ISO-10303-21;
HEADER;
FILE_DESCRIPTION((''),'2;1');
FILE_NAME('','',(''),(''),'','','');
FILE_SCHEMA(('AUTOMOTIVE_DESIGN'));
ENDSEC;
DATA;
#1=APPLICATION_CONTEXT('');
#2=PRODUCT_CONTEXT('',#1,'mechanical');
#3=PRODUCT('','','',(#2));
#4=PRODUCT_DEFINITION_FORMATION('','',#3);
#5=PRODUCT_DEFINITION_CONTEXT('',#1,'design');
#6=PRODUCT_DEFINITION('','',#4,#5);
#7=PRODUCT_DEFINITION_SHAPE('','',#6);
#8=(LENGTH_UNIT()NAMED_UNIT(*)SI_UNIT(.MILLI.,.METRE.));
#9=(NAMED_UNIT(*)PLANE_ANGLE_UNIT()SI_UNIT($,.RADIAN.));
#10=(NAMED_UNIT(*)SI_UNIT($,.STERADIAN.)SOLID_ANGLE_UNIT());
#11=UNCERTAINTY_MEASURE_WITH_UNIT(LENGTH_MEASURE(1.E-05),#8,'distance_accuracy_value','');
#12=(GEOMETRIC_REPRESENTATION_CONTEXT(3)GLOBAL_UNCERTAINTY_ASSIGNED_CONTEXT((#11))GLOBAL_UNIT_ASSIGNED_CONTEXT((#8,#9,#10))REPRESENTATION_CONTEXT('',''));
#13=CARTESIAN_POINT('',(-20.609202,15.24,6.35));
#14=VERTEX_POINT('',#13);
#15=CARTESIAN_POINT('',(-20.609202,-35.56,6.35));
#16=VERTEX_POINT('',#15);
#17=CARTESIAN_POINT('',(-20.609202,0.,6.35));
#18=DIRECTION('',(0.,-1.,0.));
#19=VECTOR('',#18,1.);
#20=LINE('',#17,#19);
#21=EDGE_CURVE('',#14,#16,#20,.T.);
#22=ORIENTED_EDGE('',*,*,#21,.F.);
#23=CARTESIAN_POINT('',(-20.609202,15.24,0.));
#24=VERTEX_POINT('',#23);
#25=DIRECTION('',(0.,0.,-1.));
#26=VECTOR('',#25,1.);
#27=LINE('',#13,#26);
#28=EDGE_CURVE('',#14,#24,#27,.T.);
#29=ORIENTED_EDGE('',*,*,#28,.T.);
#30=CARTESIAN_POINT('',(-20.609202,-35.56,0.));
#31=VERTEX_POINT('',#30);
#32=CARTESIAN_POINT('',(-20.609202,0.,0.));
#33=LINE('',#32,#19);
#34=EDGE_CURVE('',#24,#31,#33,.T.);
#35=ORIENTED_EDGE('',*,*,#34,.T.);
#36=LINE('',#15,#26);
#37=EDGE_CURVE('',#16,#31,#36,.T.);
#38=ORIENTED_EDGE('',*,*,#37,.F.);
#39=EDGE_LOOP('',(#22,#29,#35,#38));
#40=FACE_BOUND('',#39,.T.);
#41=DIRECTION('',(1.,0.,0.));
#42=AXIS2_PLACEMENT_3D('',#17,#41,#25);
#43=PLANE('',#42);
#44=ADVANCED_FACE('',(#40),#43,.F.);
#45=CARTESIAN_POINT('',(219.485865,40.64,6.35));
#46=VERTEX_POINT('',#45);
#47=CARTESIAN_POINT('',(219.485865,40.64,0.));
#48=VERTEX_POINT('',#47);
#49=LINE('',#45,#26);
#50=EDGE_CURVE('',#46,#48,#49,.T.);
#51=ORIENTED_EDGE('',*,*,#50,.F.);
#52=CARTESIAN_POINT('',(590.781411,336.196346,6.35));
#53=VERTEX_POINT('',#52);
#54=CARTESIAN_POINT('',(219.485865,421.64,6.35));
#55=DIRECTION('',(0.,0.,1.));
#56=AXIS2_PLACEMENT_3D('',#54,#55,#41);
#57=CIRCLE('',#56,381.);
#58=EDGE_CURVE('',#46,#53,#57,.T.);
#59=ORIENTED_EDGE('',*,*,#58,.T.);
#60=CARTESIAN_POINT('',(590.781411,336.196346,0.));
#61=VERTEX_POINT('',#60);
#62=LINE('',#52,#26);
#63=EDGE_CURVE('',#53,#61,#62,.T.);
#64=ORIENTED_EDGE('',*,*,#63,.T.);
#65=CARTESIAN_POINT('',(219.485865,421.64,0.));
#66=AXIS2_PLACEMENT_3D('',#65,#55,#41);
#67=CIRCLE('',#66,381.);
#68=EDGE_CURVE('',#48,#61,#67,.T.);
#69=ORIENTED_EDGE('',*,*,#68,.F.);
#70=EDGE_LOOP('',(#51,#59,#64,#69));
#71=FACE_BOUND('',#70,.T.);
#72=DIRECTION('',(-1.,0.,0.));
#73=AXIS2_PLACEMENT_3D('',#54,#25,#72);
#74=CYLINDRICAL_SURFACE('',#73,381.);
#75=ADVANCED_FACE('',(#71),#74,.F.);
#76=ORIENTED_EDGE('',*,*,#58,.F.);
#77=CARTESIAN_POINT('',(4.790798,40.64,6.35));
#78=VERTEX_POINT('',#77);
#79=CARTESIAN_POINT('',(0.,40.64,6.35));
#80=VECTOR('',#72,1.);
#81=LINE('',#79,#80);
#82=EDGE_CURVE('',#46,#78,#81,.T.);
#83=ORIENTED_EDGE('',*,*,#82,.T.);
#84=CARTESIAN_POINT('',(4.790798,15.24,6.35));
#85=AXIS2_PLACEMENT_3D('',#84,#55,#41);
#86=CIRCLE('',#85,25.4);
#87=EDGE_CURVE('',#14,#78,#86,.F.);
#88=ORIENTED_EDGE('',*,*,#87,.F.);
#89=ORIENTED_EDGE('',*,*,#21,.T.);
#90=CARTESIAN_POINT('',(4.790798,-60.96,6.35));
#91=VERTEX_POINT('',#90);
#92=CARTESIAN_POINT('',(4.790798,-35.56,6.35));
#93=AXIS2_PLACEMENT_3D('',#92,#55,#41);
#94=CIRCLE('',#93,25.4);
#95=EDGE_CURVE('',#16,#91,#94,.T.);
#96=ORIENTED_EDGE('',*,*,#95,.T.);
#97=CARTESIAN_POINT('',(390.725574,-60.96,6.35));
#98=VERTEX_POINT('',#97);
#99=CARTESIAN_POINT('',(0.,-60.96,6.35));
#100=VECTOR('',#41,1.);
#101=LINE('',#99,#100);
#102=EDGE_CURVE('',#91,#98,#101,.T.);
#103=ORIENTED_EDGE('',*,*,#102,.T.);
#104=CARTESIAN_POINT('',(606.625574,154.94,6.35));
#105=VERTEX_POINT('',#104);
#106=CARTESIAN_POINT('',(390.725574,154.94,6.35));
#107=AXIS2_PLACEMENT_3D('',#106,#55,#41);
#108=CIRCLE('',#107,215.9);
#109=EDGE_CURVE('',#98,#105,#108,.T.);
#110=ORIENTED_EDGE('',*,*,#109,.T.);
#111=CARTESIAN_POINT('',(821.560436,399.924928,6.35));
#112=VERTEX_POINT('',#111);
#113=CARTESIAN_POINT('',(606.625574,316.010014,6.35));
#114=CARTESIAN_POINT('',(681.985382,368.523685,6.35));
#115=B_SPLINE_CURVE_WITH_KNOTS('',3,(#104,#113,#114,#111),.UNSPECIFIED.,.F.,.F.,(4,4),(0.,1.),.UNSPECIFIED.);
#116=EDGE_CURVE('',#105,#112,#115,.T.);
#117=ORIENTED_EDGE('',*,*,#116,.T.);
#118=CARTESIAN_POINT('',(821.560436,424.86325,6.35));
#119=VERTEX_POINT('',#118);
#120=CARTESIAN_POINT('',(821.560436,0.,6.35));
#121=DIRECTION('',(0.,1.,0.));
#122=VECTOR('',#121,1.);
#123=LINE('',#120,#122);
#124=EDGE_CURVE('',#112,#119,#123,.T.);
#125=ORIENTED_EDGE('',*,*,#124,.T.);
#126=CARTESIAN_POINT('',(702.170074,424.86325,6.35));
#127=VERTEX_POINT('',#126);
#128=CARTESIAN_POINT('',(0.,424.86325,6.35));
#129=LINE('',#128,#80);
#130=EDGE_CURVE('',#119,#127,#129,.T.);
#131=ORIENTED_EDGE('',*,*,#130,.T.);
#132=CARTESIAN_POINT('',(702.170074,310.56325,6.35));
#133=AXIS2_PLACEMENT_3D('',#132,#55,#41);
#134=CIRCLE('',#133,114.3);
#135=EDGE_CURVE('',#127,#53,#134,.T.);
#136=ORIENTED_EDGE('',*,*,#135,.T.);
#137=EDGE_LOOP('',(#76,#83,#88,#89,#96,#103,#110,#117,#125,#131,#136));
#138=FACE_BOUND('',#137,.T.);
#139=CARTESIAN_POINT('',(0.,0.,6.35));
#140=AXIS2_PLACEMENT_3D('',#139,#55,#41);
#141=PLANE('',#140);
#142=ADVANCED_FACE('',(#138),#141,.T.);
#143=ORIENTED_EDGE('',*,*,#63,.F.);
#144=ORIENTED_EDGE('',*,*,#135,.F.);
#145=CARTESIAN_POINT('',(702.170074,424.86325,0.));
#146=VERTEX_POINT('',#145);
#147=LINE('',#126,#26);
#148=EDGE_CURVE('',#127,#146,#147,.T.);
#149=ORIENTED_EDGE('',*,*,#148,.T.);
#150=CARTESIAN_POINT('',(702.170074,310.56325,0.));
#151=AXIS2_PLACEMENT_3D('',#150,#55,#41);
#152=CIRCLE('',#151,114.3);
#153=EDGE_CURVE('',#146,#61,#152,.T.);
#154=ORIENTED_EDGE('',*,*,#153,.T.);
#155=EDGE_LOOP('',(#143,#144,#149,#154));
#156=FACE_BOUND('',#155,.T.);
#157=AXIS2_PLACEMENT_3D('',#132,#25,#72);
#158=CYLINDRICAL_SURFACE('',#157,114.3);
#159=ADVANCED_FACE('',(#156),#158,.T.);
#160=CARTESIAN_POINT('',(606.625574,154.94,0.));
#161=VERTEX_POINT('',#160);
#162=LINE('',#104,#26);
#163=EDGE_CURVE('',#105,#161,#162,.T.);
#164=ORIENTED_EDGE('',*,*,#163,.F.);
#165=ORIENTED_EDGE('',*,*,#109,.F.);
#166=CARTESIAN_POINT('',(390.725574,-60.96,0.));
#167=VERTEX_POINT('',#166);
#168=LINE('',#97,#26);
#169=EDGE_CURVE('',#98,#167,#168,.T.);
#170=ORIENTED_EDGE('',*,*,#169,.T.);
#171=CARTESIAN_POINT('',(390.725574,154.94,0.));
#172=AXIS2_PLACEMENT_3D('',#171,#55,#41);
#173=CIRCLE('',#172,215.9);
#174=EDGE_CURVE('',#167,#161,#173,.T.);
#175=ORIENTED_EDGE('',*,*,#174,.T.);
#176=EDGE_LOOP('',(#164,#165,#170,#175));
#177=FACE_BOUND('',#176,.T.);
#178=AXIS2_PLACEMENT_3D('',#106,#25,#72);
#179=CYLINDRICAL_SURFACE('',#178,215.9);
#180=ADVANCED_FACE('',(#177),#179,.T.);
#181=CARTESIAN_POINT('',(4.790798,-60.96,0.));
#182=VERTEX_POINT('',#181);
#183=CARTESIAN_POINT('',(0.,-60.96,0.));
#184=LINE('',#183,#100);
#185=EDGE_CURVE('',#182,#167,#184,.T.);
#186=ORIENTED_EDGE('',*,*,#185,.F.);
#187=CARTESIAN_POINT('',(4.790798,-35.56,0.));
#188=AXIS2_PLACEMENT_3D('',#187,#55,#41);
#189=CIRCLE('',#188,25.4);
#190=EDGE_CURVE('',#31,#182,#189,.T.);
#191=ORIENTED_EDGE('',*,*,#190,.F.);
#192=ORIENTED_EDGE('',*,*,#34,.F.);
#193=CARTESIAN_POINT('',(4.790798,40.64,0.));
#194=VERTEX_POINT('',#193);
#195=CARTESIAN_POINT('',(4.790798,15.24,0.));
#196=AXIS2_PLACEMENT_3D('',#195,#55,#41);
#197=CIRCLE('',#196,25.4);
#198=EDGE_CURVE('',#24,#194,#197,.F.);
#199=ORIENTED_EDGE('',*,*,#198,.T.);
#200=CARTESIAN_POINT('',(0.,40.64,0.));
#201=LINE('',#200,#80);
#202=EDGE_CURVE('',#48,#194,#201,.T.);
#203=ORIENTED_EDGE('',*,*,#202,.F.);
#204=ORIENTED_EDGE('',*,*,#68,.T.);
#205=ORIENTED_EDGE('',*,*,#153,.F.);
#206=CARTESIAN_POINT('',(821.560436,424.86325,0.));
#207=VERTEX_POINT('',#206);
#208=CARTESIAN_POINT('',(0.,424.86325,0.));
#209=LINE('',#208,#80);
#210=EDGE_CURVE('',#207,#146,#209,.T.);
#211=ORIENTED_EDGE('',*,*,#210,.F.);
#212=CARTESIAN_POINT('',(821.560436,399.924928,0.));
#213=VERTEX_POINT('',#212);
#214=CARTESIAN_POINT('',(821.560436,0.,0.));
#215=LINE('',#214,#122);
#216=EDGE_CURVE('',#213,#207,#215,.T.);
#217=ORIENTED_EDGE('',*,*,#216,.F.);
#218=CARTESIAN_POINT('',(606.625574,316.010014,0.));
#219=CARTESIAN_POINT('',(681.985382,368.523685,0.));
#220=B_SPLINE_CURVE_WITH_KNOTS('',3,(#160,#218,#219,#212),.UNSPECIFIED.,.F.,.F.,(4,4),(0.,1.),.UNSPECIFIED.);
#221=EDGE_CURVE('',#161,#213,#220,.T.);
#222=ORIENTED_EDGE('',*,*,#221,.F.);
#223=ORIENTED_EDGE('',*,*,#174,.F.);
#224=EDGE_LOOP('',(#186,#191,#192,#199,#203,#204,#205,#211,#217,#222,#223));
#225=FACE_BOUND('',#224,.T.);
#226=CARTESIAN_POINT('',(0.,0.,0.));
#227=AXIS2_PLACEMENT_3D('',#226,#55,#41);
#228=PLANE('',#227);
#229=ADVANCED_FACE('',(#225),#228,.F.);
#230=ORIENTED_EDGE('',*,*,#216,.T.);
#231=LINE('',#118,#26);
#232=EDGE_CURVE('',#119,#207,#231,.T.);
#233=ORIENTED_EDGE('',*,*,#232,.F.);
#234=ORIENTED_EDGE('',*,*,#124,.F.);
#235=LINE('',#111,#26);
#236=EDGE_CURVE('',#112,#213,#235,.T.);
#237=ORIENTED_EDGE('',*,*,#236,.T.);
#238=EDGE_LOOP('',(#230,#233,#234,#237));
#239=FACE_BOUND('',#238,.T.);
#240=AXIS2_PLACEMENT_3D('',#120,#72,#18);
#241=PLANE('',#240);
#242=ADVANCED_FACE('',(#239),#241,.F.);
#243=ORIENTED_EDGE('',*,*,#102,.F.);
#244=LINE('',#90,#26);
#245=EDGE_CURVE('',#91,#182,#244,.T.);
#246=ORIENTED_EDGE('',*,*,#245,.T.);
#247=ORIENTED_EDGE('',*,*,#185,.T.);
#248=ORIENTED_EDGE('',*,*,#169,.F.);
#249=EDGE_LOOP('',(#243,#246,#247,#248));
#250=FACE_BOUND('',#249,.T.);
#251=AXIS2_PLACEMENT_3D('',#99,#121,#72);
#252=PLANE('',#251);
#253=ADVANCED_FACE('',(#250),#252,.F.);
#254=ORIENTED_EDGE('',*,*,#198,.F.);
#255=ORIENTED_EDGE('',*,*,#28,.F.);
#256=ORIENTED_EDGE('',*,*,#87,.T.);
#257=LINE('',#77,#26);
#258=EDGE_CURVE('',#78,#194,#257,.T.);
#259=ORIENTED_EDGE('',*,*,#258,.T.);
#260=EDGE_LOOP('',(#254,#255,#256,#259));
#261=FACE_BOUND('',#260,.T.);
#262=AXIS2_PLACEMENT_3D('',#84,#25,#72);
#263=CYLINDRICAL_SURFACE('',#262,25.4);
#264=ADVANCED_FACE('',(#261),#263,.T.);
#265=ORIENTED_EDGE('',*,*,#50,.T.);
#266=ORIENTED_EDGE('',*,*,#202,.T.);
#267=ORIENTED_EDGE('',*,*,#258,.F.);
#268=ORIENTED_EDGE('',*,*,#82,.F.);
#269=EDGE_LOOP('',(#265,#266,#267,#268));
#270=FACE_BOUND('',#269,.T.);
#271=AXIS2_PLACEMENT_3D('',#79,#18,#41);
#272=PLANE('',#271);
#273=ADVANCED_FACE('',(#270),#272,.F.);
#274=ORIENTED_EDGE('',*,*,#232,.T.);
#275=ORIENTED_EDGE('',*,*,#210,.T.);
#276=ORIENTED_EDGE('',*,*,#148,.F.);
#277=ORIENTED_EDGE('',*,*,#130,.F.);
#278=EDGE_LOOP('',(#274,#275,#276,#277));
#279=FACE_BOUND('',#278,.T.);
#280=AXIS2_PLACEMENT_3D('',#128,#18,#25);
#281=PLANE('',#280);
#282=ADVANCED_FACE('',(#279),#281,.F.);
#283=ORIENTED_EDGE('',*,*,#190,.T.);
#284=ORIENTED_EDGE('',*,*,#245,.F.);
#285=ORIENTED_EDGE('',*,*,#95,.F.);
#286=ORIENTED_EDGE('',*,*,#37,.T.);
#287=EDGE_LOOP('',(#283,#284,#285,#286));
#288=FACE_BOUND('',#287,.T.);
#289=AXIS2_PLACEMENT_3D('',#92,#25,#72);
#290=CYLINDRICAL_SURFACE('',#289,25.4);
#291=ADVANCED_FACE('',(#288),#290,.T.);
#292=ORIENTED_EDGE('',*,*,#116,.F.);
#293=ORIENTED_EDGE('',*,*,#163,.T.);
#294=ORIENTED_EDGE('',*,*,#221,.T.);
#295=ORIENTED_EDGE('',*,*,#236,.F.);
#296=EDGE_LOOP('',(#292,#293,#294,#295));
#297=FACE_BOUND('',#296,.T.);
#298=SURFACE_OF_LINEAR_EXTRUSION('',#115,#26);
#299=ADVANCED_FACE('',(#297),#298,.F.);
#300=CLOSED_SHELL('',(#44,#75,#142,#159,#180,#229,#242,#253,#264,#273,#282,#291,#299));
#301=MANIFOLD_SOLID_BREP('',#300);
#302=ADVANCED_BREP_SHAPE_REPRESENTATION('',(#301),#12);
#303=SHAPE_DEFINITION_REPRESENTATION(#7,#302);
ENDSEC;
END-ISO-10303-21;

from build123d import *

# Parameters (mm, degrees)
BOSS_EXTRUDE1_DEPTH = 6.35


with BuildPart() as part:
    # Sketch1 → Boss-Extrude1 (new body)
    with BuildSketch(Plane.XY):
        with BuildLine():
            Line((4.79079833, -60.96), (390.725573839, -60.96))
            ThreePointArc((390.725573839, -60.96), (543.389927897, 2.275645942), (606.625573839, 154.94))
            add(Edge.make_bspline(
                [(606.625573839, 154.94), (606.625573839, 316.01001421), (681.985382087, 368.523685091), (821.560436263, 399.924928327)],
                knots=[0, 0, 0, 0, 1, 1, 1, 1], degree=3))
            Line((821.560436263, 399.924928327), (821.560436263, 424.863249898))
            Line((821.560436263, 424.863249898), (702.170074113, 424.863249898))
            ThreePointArc((702.170074113, 424.863249898), (630.985008591, 399.990183462), (590.781410505, 336.196346076))
            ThreePointArc((590.781410505, 336.196346076), (456.769416888, 123.550221456), (219.485865145, 40.64))
            Line((219.485865145, 40.64), (4.79079833, 40.64))
            ThreePointArc((4.79079833, 40.64), (-13.169713912, 33.200512242), (-20.60920167, 15.24))
            Line((-20.60920167, 15.24), (-20.60920167, -35.56))
            ThreePointArc((-20.60920167, -35.56), (-13.169713912, -53.520512242), (4.79079833, -60.96))
        make_face()
    extrude(amount=BOSS_EXTRUDE1_DEPTH)


solid = part.part
